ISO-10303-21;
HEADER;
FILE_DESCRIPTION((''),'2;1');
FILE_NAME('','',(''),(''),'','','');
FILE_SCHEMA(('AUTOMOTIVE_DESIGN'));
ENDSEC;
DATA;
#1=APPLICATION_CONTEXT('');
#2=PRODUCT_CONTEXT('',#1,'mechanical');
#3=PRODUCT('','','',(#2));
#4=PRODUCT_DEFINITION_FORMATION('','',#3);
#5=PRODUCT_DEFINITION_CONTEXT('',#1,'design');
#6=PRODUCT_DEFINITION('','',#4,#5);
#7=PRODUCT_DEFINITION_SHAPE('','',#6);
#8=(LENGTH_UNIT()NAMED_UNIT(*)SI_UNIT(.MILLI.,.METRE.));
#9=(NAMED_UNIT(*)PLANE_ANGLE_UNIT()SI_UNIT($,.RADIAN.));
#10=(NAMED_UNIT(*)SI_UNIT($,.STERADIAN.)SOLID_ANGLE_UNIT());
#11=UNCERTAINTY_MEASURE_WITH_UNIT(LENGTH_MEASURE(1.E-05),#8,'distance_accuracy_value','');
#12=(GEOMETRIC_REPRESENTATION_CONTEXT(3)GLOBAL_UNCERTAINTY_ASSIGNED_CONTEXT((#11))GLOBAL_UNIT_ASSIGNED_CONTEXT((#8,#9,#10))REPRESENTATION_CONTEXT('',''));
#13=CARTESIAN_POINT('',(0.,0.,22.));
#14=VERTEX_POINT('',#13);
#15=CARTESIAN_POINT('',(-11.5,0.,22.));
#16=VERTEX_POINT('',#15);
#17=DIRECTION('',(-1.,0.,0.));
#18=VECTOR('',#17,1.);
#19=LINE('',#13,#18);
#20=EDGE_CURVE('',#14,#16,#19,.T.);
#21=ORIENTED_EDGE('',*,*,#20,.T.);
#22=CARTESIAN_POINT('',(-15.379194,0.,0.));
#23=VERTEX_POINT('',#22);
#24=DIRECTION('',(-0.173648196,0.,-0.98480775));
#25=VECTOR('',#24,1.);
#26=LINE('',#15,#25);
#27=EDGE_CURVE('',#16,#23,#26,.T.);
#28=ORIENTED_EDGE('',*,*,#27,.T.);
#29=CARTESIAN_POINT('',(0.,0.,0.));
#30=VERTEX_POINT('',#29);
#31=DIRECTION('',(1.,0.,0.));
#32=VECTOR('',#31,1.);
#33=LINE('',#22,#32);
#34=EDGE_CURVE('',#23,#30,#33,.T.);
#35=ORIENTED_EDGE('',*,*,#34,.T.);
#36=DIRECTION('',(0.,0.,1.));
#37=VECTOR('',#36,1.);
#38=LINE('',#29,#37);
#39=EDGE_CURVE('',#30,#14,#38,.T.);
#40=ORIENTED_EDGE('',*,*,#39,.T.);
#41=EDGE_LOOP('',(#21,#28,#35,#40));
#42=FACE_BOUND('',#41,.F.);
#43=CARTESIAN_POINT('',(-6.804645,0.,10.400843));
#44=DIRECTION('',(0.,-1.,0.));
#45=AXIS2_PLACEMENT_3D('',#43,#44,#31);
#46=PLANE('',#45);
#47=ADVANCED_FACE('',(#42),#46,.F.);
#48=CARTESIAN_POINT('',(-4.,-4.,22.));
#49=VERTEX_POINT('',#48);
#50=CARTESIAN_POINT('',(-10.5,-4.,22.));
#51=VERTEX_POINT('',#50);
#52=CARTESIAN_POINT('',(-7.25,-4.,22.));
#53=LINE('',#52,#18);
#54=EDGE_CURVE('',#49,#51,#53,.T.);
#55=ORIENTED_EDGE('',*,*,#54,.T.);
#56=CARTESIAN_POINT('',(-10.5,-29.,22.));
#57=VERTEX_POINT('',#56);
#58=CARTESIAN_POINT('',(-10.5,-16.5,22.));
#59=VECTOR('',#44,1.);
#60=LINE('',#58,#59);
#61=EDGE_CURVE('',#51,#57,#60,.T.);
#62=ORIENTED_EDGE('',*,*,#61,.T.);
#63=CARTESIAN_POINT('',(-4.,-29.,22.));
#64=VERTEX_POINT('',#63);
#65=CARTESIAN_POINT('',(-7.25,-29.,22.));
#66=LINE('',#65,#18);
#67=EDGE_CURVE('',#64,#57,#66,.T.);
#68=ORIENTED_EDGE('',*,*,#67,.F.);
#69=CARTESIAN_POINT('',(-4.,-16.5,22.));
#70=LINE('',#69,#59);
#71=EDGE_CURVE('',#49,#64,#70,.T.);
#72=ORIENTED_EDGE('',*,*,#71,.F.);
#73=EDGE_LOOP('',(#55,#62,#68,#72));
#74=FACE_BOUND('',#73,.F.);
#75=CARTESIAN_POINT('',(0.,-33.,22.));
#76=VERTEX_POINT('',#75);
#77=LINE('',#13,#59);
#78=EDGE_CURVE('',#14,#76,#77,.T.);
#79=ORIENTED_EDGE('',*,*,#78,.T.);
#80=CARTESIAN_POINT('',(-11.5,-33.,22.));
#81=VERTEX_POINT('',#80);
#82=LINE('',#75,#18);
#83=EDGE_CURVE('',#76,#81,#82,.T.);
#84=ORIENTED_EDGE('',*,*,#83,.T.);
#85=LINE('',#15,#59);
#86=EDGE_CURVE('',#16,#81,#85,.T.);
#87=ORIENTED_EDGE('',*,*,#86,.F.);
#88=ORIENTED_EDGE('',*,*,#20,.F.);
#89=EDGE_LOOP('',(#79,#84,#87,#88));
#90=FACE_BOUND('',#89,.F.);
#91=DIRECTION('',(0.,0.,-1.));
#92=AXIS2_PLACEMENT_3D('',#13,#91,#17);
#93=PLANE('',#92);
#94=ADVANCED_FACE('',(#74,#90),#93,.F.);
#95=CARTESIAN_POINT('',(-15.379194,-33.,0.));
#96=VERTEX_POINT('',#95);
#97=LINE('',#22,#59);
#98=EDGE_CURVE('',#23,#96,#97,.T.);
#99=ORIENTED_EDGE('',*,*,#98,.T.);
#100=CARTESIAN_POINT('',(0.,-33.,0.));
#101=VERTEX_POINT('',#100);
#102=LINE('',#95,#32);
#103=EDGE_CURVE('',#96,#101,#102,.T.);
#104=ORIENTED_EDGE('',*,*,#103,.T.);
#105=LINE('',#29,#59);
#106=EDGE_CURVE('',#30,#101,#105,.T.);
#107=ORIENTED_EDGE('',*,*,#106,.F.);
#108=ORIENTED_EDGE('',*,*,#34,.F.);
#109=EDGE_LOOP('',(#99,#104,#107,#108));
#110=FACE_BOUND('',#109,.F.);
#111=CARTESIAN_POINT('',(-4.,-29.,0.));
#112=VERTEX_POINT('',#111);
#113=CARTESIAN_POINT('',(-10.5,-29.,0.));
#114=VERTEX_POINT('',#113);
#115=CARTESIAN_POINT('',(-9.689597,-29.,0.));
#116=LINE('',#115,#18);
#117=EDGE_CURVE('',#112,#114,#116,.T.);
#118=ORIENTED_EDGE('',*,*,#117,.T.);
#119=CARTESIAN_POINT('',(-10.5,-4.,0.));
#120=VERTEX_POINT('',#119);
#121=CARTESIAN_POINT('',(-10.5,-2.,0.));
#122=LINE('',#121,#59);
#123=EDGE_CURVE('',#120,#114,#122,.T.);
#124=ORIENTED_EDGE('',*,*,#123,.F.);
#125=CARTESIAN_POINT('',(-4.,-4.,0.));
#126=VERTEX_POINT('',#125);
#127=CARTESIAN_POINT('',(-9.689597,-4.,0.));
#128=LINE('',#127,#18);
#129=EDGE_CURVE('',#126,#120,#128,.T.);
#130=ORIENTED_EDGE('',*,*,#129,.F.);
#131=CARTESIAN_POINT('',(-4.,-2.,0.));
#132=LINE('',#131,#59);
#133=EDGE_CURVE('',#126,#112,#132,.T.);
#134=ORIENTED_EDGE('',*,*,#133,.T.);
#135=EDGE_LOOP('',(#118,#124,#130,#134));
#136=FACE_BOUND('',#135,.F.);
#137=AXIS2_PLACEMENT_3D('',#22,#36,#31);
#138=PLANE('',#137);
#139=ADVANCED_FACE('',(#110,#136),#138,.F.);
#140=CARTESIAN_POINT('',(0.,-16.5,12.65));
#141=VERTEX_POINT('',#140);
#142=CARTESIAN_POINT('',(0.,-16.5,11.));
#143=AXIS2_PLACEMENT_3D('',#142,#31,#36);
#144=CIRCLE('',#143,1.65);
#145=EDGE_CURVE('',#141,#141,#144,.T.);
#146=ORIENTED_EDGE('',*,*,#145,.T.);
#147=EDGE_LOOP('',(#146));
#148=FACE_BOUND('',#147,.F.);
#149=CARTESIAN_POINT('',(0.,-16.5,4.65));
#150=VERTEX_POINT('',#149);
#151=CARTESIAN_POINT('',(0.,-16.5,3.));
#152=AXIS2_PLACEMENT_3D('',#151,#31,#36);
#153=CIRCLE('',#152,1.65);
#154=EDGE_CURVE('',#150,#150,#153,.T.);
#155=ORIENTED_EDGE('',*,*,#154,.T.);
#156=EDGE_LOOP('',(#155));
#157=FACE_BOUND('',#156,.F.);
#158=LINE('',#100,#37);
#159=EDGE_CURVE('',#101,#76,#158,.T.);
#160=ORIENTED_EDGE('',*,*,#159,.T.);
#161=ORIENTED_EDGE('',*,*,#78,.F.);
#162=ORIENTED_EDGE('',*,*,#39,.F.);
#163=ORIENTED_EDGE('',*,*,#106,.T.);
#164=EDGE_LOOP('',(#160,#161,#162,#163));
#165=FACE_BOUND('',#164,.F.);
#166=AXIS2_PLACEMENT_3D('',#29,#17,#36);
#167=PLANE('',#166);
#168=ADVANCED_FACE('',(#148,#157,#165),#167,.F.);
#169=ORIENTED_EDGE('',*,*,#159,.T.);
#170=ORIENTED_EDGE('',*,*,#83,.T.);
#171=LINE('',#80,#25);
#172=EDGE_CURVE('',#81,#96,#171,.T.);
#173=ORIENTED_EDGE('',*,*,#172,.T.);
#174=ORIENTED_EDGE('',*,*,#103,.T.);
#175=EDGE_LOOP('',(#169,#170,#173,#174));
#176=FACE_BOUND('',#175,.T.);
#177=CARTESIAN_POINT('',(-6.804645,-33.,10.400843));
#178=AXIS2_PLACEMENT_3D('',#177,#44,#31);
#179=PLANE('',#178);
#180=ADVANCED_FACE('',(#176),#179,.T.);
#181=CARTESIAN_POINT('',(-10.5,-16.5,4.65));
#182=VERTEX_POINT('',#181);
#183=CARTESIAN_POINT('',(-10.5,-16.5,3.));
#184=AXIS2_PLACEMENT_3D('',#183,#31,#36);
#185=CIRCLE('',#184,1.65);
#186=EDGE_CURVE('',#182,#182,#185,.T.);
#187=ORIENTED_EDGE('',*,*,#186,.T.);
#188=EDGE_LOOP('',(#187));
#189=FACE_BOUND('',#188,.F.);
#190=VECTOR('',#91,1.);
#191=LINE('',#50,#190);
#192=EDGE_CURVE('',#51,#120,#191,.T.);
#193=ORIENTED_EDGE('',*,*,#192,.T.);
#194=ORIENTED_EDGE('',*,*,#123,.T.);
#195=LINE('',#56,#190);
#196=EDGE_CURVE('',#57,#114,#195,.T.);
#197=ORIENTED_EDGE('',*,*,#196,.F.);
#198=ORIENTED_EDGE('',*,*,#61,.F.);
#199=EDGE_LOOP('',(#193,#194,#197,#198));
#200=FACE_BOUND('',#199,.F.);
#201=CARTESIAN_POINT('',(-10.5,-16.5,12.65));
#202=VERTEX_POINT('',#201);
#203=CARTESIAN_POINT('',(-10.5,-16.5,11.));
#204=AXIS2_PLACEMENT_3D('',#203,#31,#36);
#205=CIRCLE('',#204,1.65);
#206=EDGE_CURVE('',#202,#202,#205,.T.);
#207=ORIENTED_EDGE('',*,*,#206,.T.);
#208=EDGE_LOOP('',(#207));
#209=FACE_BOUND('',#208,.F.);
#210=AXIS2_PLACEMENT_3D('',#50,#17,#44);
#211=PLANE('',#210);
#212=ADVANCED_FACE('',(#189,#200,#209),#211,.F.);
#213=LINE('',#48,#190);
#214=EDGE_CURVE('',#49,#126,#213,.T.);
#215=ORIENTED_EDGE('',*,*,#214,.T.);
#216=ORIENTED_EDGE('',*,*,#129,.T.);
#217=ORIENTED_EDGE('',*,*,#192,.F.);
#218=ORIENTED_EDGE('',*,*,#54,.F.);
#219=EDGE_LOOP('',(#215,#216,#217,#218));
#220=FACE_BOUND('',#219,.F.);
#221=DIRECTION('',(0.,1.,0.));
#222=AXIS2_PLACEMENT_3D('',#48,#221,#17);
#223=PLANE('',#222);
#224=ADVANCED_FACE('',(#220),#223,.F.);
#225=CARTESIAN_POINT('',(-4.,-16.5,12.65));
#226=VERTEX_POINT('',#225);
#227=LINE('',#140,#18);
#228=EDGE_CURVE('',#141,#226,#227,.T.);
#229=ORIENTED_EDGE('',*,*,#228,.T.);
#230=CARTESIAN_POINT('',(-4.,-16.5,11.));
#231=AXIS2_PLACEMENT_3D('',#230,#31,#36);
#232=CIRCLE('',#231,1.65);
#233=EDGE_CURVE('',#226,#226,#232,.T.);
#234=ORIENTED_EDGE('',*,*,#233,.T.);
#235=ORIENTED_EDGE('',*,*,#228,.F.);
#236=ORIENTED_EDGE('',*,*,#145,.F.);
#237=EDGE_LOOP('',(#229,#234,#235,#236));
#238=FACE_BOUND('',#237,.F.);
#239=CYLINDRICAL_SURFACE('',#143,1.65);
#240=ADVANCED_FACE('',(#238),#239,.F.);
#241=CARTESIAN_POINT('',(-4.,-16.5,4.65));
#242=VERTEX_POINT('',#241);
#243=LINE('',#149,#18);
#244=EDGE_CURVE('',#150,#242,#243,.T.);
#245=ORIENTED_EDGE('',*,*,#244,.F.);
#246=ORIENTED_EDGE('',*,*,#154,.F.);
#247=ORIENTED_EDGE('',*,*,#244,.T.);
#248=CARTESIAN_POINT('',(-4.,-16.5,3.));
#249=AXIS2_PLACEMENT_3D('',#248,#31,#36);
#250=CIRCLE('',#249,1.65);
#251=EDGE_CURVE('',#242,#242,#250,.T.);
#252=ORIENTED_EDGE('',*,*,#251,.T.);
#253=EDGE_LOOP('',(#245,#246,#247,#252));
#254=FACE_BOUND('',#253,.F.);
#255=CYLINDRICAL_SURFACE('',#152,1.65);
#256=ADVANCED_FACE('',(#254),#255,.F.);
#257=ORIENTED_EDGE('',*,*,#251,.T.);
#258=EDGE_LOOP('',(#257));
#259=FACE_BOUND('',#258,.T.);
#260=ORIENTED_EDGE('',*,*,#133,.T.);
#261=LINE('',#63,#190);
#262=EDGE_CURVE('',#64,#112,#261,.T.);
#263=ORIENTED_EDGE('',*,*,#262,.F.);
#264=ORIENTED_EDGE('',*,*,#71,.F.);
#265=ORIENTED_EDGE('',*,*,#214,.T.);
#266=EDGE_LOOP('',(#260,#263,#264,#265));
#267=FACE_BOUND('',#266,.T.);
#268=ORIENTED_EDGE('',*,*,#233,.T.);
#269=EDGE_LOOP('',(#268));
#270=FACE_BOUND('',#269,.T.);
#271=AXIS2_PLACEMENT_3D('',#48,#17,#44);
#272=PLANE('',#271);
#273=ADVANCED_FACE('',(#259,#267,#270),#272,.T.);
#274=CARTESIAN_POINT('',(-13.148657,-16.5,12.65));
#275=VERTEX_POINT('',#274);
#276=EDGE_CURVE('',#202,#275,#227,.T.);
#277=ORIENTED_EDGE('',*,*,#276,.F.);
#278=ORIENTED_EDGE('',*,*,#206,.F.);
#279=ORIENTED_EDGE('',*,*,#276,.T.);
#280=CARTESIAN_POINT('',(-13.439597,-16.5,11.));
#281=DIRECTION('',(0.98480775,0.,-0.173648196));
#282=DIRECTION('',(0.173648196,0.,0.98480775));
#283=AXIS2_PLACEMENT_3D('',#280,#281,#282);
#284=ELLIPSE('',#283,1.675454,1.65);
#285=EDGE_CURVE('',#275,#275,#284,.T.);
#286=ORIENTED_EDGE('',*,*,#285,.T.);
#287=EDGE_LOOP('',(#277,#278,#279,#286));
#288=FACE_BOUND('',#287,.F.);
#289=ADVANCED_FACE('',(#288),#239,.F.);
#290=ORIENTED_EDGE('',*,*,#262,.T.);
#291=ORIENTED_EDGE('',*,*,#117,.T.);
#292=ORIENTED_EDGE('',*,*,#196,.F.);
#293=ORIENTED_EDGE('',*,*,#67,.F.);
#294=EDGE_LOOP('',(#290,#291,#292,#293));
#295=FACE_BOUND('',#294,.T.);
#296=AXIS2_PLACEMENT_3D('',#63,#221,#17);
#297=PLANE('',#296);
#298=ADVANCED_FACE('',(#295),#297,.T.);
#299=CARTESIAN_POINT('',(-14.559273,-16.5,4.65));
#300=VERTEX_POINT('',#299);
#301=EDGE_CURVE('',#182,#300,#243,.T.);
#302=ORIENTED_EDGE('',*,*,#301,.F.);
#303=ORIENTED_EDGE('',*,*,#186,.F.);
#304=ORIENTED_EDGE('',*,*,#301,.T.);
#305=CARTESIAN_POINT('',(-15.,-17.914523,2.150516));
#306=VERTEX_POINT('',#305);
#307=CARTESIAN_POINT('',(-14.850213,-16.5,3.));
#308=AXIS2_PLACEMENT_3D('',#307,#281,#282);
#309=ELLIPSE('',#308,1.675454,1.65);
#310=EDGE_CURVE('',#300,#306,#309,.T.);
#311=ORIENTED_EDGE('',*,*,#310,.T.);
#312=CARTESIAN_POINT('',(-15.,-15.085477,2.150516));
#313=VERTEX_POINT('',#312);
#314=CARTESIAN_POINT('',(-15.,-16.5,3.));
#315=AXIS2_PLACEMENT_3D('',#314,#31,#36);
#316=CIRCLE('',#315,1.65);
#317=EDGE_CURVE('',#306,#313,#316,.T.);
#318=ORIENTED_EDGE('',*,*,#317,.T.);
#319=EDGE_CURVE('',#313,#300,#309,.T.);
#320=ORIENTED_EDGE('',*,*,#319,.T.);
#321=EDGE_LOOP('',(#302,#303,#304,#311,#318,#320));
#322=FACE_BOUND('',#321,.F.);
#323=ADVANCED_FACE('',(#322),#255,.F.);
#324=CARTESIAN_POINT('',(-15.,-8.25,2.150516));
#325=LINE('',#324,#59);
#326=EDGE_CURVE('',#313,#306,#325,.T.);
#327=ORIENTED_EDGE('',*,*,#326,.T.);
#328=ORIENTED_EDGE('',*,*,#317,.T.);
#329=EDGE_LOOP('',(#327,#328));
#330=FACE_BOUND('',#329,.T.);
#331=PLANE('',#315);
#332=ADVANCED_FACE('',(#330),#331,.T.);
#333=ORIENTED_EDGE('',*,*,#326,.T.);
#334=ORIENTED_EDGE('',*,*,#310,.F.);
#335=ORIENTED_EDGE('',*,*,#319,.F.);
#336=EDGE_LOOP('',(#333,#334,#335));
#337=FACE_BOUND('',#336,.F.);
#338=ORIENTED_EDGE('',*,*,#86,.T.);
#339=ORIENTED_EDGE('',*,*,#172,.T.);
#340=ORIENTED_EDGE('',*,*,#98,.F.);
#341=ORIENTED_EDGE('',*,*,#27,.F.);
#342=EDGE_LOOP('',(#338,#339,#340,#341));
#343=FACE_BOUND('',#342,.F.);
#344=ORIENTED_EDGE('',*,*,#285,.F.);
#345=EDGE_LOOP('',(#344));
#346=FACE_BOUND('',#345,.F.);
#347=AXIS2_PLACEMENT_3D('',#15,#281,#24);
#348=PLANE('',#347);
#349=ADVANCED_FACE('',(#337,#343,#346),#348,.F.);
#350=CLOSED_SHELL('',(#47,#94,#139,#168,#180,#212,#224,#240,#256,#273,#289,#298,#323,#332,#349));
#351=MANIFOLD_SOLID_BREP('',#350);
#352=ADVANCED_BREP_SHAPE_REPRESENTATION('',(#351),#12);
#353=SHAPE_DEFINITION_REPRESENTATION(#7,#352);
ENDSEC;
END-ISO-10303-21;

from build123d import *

# Parameters (mm, degrees)
PAD_DEPTH       = 33
SKETCH001_W     = 6.5
SKETCH001_H     = 25
POCKET_DEPTH    = 30
SKETCH002_R     = 1.65
POCKET001_DEPTH = 15


with BuildPart() as part:
    # Sketch → Pad (new body)
    with BuildSketch(Plane.XZ):
        Polygon((-15.379194, 0), (0, 0), (0, 22), (-11.5, 22), align=None)
    extrude(amount=PAD_DEPTH)

    # Sketch001 (on Face3 of Pad) → Pocket (cut)
    with BuildSketch(Plane(origin=(0, 0, 22), x_dir=(-1, 0, 0), z_dir=(0, 0, 1))):
        with Locations((7.25, 16.5)):
            Rectangle(SKETCH001_W, SKETCH001_H)
    extrude(amount=-POCKET_DEPTH, mode=Mode.SUBTRACT)

    # Sketch002 (on Face5 of Pocket) → Pocket001 (cut)
    with BuildSketch(Plane(origin=(0, 0, 0), x_dir=(0, 0, 1), z_dir=(1, 0, 0))):
        with Locations((3, 16.5)):
            Circle(SKETCH002_R)
        with Locations((11, 16.5)):
            Circle(SKETCH002_R)
    extrude(amount=-POCKET001_DEPTH, mode=Mode.SUBTRACT)


solid = part.part
